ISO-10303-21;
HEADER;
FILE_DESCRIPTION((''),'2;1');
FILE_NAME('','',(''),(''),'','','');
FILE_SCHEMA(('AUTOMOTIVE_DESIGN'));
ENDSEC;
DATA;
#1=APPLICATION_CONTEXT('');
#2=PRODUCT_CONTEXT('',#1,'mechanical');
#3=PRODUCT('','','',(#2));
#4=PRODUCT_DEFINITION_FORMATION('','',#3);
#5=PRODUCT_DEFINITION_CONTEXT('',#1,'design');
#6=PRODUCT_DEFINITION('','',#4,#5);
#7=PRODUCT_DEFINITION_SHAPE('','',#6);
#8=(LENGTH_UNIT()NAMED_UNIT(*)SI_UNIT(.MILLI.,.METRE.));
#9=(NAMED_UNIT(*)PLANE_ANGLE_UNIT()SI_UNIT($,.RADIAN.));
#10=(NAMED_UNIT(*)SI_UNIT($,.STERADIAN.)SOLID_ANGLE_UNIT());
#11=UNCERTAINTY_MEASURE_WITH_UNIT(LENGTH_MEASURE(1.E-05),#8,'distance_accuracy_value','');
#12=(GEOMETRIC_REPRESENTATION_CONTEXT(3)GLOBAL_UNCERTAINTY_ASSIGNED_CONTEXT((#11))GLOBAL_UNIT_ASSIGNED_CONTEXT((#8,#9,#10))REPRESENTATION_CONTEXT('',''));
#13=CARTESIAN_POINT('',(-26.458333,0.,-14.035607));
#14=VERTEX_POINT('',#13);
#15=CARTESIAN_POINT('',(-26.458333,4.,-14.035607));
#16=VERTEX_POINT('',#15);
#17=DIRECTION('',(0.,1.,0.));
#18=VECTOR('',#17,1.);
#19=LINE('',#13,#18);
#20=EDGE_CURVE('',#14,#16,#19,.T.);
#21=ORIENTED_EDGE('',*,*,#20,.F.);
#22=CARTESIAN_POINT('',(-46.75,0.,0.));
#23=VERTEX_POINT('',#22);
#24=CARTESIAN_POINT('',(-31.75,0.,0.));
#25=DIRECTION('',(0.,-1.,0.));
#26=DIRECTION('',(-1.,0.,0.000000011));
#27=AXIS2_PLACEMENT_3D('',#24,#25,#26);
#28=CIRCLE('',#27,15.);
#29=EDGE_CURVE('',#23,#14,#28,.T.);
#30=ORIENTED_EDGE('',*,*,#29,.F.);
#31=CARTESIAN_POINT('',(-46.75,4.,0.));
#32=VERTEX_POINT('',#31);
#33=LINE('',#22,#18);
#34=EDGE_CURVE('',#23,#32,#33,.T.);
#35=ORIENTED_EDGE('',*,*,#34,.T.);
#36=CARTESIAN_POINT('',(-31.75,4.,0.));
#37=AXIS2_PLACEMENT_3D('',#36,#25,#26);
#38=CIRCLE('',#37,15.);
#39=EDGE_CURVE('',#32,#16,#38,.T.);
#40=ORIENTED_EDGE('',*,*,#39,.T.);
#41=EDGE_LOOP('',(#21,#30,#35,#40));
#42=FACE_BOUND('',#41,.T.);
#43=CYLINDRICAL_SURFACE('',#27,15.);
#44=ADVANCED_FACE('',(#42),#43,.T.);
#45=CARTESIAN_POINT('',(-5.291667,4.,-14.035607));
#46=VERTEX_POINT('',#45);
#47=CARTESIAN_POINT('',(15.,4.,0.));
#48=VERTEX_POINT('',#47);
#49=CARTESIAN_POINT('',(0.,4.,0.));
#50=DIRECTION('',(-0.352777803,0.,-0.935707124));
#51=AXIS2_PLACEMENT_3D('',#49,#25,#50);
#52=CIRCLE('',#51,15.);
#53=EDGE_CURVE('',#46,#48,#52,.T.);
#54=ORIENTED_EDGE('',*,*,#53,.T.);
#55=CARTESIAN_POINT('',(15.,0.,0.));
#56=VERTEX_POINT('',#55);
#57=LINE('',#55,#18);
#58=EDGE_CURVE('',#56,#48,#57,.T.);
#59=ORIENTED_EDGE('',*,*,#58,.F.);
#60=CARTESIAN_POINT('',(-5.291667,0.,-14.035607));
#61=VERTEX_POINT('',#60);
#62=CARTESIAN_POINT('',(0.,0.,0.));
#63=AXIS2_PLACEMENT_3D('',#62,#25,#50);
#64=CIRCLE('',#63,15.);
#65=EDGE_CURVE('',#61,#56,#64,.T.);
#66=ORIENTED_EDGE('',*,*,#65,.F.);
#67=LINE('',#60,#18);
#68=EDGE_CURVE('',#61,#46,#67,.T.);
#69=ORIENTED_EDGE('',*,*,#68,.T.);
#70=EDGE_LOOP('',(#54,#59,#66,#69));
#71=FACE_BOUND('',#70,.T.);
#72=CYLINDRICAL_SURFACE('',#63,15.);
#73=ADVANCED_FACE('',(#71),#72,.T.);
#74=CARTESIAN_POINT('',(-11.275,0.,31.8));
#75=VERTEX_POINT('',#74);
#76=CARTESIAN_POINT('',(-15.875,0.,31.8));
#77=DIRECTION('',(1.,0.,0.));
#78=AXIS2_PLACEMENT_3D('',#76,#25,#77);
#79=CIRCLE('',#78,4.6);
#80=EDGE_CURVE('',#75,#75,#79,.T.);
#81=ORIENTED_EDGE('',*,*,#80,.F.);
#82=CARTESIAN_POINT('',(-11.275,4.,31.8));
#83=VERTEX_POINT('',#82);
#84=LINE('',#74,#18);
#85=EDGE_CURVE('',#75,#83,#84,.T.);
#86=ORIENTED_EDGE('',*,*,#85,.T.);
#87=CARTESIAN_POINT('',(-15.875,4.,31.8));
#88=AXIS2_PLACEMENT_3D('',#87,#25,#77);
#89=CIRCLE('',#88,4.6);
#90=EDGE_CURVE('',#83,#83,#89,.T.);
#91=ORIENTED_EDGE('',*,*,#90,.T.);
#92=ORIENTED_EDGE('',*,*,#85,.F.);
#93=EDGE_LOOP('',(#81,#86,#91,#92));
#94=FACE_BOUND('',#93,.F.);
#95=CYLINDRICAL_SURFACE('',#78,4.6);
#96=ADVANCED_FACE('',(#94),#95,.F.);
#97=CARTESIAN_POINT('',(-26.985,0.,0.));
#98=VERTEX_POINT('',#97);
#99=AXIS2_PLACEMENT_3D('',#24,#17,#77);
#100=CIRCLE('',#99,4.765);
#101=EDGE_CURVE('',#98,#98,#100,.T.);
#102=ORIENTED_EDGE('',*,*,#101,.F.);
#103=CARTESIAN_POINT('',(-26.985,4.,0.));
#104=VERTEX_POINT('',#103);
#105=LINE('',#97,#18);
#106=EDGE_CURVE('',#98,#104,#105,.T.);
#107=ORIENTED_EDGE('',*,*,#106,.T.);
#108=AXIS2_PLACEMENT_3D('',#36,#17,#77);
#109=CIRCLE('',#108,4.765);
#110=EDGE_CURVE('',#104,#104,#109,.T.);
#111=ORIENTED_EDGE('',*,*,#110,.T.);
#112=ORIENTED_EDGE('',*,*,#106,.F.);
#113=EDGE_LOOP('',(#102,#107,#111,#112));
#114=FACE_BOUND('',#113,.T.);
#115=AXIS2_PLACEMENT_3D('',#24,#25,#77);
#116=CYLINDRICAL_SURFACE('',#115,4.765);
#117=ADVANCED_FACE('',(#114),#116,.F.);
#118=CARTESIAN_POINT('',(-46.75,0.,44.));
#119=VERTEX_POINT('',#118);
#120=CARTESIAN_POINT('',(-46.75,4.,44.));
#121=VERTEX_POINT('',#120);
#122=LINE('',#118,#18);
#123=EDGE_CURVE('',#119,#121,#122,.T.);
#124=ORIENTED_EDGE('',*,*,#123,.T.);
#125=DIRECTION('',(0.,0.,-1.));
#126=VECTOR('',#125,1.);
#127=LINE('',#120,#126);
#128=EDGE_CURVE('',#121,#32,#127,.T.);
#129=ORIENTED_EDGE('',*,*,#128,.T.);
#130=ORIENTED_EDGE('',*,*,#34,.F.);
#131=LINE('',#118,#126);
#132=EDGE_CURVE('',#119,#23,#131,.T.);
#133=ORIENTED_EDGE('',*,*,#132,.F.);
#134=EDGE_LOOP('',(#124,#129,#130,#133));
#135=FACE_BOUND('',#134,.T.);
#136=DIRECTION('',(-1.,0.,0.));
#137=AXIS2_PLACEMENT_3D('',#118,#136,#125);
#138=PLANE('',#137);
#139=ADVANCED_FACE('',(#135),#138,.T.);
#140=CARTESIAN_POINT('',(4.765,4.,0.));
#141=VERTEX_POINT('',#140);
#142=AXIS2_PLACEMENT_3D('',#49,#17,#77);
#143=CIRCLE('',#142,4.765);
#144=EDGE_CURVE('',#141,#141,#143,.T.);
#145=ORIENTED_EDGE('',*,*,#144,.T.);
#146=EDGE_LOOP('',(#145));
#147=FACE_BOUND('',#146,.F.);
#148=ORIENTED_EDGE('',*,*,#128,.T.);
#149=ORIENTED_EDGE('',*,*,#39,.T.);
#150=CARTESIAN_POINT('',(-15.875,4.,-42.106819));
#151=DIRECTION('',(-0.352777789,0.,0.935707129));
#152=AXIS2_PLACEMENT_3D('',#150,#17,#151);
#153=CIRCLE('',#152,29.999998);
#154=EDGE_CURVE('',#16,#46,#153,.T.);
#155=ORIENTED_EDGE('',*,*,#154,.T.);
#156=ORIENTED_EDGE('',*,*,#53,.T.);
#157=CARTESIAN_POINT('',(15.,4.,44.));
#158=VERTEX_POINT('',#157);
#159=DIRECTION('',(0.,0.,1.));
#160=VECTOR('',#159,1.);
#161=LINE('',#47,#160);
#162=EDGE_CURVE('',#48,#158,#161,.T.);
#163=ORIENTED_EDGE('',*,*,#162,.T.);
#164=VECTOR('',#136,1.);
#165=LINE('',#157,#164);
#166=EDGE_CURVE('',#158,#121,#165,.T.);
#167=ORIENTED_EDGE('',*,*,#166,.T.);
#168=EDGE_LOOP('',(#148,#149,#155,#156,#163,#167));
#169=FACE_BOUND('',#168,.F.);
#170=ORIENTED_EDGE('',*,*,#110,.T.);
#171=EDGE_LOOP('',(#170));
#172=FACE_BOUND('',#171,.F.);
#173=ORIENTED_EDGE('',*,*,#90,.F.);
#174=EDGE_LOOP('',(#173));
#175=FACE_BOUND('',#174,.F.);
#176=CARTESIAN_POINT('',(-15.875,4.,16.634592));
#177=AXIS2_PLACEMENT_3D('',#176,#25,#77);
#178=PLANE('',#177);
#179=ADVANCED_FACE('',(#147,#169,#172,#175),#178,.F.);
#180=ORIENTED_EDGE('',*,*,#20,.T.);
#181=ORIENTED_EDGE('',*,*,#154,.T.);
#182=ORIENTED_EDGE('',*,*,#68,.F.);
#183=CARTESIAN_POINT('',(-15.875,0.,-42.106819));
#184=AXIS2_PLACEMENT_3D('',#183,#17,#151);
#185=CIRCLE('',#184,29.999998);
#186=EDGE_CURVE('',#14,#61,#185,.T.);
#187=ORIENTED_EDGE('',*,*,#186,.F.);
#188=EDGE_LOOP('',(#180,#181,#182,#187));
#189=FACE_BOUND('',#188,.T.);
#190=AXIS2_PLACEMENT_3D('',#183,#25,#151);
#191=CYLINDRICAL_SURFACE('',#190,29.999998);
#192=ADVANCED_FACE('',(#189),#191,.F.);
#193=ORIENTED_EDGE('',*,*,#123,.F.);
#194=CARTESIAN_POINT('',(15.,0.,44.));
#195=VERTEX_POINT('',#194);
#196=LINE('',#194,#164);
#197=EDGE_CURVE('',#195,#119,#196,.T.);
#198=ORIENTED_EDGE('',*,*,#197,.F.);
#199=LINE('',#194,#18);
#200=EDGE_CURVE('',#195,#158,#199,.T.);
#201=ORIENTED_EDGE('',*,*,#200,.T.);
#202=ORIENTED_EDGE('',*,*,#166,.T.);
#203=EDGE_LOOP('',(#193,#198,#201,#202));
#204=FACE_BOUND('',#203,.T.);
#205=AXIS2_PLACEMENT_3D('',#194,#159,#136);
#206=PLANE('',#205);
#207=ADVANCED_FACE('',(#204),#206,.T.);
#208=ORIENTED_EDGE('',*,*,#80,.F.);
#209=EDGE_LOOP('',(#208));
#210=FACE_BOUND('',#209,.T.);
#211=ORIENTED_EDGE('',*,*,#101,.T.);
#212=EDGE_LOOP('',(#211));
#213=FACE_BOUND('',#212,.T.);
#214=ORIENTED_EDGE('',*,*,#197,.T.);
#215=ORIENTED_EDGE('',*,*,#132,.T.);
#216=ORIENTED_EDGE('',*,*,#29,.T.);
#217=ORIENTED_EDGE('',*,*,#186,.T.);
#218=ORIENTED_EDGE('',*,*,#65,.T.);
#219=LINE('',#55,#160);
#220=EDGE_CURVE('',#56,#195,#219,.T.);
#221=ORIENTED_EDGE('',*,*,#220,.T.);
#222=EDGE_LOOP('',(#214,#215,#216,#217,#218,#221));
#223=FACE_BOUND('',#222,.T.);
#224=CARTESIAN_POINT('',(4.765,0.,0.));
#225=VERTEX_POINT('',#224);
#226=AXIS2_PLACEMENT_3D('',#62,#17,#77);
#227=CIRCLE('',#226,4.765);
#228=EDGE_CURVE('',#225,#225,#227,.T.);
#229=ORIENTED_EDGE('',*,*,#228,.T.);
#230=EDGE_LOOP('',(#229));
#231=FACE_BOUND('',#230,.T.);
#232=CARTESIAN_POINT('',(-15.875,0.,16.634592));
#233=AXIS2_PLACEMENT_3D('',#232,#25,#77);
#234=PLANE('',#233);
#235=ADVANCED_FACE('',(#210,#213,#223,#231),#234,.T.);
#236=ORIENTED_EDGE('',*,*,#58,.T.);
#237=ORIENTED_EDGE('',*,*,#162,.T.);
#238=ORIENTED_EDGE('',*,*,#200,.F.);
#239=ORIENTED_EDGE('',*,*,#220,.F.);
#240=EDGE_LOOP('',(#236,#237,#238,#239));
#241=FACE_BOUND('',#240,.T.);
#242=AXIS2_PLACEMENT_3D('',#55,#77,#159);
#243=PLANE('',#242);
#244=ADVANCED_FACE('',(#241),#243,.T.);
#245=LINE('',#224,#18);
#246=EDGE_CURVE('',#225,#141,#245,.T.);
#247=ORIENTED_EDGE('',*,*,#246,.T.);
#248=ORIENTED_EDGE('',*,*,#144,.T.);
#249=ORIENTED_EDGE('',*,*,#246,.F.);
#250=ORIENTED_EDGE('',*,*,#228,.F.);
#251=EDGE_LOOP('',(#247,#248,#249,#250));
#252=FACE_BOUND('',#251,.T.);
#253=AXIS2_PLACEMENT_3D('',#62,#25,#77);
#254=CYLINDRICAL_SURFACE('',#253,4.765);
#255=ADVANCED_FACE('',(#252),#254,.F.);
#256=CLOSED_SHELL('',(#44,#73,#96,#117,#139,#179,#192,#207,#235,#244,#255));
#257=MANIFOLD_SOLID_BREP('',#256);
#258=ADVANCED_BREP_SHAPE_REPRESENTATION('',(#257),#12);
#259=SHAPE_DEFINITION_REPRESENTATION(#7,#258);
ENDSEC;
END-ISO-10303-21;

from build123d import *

# Parameters (mm, degrees)
F0_R     = 4.6
F1_DEPTH = 4


with BuildPart() as f1:
    # F0 (on Front) → F1 (new body)
    with BuildSketch(Plane.XZ):
        with BuildLine():
            Line((-46.75, 31.8), (-46.75, 0))
            ThreePointArc((-46.75, 0), (-40.283024, -12.33643), (-26.458333, -14.035607))
            ThreePointArc((-26.458333, -14.035607), (-15.875, -12.106821), (-5.291667, -14.035607))
            ThreePointArc((-5.291667, -14.035607), (8.533024, -12.33643), (15, 0))
            Line((15, 0), (15, 31.8))
            Line((15, 31.8), (15, 44))
            Line((15, 44), (-46.75, 44))
            Line((-46.75, 44), (-46.75, 31.8))
        make_face()
        with BuildLine():
            ThreePointArc((-36.515, 0), (-31.75, 4.765), (-26.985, 0))
            ThreePointArc((-26.985, 0), (-31.75, -4.765), (-36.515, 0))
        make_face(mode=Mode.SUBTRACT)
        with BuildLine():
            ThreePointArc((-4.765, 0), (0, 4.765), (4.765, 0))
            ThreePointArc((4.765, 0), (0, -4.765), (-4.765, 0))
        make_face(mode=Mode.SUBTRACT)
        with Locations((-15.875, 31.8)):
            Circle(F0_R, mode=Mode.SUBTRACT)
    extrude(amount=-F1_DEPTH)


solid = f1.part
